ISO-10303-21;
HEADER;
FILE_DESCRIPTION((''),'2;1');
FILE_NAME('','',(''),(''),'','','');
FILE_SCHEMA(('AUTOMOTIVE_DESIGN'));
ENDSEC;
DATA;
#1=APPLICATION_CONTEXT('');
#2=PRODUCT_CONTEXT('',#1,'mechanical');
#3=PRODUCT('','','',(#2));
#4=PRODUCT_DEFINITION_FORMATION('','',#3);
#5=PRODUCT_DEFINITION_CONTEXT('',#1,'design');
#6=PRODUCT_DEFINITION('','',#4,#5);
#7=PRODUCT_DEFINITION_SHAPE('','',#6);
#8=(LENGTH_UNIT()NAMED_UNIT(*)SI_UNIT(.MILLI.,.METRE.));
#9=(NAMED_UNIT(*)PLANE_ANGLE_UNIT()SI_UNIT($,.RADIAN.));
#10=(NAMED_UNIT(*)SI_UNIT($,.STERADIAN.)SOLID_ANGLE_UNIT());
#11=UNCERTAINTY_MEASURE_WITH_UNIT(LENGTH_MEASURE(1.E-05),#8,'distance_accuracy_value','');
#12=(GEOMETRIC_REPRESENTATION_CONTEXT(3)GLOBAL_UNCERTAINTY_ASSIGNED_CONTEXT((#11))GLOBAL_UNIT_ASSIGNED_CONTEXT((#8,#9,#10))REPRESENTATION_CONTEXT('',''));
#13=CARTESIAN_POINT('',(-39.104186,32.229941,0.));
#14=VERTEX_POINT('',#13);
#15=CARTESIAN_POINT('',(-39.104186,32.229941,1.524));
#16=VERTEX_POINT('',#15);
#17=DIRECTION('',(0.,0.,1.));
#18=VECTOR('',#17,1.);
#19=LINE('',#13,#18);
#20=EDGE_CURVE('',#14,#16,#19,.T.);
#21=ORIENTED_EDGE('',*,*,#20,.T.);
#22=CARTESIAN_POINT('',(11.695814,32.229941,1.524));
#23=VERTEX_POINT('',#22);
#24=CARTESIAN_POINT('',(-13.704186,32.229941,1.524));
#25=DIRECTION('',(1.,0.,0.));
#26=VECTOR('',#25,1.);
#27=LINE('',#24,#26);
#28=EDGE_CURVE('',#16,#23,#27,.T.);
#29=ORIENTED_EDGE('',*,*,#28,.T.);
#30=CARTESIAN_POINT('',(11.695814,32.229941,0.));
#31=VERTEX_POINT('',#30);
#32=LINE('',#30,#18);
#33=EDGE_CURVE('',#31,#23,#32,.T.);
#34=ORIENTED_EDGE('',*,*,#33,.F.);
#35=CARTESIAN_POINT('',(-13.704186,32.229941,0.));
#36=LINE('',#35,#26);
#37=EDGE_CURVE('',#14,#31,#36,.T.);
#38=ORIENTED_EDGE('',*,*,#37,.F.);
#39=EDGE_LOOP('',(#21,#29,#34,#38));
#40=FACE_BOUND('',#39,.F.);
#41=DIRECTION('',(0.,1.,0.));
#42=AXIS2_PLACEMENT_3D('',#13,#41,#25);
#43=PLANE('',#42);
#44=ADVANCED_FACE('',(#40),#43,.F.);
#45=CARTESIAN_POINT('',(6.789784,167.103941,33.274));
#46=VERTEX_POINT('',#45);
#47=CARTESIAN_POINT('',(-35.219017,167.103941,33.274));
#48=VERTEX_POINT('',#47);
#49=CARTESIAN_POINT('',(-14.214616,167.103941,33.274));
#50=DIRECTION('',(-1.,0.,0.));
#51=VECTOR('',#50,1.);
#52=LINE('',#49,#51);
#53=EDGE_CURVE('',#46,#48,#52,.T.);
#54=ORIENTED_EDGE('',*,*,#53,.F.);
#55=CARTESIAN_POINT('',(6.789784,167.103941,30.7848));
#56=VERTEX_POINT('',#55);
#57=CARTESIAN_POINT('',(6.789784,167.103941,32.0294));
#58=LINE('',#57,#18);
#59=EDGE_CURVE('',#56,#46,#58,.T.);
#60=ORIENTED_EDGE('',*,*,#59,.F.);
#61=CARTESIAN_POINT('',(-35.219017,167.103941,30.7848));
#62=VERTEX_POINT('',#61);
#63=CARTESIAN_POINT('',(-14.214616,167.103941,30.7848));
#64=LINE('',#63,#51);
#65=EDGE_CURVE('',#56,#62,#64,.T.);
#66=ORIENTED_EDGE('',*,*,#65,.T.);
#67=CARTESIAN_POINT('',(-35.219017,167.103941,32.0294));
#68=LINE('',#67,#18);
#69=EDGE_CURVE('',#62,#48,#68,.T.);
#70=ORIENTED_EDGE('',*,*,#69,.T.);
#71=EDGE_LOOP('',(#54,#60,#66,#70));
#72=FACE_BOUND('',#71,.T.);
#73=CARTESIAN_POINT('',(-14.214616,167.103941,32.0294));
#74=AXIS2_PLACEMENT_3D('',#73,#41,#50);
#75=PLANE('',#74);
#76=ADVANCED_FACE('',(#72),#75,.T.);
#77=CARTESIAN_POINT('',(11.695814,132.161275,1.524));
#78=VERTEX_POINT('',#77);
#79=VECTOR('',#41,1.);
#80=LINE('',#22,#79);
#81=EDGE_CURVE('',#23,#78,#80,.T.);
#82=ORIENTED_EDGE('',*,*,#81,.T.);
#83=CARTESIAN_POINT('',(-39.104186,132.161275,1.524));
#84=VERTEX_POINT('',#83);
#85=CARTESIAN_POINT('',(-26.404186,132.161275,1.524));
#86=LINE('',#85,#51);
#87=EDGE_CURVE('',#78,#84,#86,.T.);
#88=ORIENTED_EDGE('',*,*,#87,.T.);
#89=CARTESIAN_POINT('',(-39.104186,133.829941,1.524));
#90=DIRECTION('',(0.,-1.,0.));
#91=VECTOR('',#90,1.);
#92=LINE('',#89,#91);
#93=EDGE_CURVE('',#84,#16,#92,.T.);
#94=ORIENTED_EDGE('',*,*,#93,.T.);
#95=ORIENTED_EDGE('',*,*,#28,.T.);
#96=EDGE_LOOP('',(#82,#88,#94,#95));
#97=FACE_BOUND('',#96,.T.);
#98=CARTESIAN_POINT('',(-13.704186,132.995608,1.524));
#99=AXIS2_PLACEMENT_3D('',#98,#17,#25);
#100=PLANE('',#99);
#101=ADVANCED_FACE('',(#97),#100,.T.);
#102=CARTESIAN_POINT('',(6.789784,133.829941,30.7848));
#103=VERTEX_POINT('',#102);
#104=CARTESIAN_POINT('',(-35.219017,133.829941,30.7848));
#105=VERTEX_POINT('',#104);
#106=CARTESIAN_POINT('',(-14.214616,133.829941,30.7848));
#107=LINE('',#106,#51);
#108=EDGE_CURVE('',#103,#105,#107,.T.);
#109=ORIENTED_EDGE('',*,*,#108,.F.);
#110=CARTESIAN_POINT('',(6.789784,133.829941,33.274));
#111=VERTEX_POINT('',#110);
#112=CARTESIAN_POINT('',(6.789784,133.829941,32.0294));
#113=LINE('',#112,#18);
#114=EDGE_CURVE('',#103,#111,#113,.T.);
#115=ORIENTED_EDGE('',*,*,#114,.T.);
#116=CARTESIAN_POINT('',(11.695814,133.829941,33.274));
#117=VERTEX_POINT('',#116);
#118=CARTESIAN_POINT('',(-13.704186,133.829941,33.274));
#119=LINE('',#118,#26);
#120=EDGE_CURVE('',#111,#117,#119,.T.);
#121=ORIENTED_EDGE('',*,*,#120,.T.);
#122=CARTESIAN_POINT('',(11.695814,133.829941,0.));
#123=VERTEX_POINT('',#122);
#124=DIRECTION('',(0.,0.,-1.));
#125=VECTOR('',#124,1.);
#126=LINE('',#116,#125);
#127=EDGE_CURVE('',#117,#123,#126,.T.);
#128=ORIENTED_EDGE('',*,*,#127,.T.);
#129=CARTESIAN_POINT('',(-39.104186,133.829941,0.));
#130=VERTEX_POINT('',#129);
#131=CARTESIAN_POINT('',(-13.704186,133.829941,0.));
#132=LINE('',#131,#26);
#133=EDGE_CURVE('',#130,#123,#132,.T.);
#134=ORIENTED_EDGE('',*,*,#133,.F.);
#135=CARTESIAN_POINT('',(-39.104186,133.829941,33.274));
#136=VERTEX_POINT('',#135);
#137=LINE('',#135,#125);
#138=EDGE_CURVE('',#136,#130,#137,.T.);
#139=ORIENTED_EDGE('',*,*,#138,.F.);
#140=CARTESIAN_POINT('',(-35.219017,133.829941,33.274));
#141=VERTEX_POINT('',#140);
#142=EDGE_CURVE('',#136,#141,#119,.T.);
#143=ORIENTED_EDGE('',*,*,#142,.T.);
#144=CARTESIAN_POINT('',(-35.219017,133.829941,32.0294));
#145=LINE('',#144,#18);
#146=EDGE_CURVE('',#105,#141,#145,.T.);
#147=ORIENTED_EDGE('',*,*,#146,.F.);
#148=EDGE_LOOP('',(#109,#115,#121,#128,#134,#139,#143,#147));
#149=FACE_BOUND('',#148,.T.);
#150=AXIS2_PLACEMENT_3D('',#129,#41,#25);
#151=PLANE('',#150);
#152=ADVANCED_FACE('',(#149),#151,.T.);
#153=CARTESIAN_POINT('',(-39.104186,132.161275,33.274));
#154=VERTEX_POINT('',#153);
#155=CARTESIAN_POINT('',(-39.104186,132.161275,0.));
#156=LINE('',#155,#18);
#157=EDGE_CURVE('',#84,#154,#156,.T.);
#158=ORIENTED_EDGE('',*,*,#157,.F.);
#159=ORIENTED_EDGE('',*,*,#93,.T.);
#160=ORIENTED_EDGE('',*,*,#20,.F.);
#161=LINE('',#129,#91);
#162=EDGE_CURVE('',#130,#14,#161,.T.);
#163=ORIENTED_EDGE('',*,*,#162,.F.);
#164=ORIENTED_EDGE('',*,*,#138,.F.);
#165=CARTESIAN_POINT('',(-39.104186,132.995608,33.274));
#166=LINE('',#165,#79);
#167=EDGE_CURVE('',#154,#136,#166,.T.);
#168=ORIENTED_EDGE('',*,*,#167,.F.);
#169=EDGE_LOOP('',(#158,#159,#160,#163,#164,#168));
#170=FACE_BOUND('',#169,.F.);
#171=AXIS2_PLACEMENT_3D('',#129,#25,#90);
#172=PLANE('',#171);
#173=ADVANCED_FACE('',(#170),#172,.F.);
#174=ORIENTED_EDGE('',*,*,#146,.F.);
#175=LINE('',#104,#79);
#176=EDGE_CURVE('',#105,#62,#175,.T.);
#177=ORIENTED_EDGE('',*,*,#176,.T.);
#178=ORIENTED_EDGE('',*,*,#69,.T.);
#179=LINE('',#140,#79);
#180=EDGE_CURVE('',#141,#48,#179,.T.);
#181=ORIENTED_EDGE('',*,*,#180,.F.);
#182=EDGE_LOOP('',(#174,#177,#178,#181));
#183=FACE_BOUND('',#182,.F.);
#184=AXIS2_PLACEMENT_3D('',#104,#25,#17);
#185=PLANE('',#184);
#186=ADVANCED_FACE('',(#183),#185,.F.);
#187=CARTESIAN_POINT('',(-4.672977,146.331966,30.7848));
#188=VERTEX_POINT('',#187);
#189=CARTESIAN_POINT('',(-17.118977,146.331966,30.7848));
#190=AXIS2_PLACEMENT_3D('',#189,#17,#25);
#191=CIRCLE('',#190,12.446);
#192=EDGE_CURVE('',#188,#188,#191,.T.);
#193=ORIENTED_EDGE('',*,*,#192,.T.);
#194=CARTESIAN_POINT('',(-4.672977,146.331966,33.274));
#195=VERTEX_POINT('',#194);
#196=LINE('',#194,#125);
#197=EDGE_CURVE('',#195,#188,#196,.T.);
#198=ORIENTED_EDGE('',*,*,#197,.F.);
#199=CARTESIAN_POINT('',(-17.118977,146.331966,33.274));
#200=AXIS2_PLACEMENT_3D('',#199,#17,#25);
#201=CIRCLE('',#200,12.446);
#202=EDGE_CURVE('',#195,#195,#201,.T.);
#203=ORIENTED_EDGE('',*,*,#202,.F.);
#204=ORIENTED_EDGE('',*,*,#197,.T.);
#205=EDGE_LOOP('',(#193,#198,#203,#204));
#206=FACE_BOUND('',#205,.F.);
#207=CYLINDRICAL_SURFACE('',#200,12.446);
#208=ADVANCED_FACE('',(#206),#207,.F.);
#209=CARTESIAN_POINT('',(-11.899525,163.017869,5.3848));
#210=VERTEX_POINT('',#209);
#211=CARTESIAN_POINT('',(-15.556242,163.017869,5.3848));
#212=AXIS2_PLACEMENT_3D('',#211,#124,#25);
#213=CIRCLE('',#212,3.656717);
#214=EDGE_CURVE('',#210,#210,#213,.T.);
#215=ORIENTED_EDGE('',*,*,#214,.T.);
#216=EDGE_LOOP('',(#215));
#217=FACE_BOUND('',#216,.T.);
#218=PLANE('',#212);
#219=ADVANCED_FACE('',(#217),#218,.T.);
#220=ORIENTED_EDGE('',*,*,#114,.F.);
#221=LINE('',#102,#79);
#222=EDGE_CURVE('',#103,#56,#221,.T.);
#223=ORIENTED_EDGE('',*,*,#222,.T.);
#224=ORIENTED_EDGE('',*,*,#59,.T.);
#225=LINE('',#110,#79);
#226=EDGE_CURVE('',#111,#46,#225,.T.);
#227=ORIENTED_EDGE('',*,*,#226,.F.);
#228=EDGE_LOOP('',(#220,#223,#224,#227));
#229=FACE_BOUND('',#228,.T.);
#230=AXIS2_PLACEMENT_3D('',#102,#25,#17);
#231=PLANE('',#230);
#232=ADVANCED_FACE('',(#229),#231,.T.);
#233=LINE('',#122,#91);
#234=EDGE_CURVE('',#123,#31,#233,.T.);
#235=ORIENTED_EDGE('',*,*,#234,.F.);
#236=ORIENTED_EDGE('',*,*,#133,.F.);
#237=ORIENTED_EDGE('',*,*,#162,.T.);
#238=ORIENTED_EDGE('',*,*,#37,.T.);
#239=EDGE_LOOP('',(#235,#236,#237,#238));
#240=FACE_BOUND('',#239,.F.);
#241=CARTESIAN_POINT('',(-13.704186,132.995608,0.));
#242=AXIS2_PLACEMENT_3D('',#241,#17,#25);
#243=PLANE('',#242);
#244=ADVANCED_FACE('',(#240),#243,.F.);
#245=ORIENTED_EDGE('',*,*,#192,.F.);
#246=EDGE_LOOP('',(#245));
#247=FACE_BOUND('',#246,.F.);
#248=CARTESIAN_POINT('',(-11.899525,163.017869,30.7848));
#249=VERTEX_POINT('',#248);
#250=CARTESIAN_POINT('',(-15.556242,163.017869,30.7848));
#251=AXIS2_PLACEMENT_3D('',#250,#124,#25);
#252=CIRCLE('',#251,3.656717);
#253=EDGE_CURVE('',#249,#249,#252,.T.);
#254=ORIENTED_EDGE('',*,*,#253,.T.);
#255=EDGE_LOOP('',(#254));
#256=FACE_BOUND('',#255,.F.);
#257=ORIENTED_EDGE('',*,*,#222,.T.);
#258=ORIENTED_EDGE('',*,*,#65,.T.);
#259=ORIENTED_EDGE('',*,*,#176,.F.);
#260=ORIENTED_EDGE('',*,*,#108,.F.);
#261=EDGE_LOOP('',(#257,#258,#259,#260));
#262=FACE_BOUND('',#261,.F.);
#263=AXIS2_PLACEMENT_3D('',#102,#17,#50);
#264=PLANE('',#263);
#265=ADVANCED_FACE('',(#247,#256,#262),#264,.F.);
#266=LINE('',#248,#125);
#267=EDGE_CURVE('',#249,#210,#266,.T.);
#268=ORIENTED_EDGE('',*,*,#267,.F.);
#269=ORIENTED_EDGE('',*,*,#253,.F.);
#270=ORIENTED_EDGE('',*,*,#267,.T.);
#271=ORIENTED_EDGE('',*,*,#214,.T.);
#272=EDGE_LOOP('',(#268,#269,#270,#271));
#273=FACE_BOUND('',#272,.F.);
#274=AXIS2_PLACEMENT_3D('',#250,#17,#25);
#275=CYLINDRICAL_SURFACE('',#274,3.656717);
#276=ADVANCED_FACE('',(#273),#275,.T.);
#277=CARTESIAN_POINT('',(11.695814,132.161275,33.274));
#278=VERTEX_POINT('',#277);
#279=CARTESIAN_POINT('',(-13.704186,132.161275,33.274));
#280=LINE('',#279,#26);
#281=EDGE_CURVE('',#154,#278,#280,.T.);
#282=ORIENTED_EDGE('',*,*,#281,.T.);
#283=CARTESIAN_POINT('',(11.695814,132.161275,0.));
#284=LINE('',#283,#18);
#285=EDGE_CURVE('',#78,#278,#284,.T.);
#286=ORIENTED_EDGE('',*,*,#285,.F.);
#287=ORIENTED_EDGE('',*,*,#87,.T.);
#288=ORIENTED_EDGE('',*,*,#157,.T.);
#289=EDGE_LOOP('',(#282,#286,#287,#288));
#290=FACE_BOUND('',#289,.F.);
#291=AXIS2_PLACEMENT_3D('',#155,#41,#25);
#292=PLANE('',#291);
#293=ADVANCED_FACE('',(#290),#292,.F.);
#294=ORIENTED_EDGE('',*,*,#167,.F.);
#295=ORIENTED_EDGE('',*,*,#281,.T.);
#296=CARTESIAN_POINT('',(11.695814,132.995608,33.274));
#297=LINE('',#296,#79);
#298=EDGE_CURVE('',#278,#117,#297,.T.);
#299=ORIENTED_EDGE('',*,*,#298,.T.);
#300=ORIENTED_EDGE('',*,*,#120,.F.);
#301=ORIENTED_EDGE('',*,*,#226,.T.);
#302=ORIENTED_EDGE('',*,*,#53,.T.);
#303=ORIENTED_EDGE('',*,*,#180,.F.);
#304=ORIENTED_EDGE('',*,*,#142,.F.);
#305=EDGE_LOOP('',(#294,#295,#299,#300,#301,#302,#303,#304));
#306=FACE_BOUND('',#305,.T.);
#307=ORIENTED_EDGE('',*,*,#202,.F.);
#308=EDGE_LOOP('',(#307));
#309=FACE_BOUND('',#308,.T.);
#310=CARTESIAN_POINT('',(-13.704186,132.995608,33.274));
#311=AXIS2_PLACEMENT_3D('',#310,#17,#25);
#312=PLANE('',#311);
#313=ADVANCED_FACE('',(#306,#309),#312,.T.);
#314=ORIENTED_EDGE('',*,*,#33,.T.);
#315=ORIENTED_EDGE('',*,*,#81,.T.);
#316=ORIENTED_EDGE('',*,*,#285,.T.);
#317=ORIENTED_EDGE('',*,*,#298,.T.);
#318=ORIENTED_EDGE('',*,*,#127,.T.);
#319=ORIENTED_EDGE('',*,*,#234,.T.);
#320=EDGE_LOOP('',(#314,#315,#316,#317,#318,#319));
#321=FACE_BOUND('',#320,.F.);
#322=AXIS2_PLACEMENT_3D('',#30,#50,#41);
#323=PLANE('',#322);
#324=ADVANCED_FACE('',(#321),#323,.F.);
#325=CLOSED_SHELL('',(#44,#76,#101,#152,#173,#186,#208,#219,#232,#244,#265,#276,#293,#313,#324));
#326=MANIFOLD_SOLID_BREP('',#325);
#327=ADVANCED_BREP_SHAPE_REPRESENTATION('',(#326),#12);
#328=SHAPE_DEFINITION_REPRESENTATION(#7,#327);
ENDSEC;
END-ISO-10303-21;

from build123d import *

# Parameters (mm, degrees)
F0_W     = 50.8
F0_H     = 1.668666
F0_H_2   = 99.931334
F1_DEPTH = 1.524
F2_DEPTH = 33.274
F3_W     = 42.008801
F3_H     = 2.4892
F4_DEPTH = 33.274
F5_R     = 12.446
F6_DEPTH = 25.4
F7_R     = 3.656717
F8_DEPTH = 25.4


with BuildPart() as f1:
    # F0 (on Top) → F1 (new body)
    with BuildSketch(Plane.XY):
        with Locations((-13.704186, 132.995608)):
            Rectangle(F0_W, F0_H)
        with Locations((-13.704186, 82.195608)):
            Rectangle(F0_W, F0_H_2)
    extrude(amount=F1_DEPTH)

    # F0 (on Top) → F2 (join)
    with BuildSketch(Plane.XY):
        with Locations((-13.704186, 132.995608)):
            Rectangle(F0_W, F0_H)
    extrude(amount=F2_DEPTH)

    # F3 (on face) → F4 (join)
    with BuildSketch(Plane(origin=(0, 133.829941, 0), x_dir=(-1, 0, 0), z_dir=(0, 1, 0))):
        with Locations((14.214616, 32.0294)):
            Rectangle(F3_W, F3_H)
    extrude(amount=F4_DEPTH)

    # F5 (on face) → F6 (cut)
    with BuildSketch(Plane.XY.offset(33.274)):
        with Locations((-17.118977, 146.331966)):
            Circle(F5_R)
    extrude(amount=-F6_DEPTH, mode=Mode.SUBTRACT)

    # F7 (on face) → F8 (join)
    with BuildSketch(Plane(origin=(0, 0, 30.7848), x_dir=(1, 0, 0), z_dir=(0, 0, -1))):
        with Locations((-15.556242, -163.017869)):
            Circle(F7_R)
    extrude(amount=F8_DEPTH)


solid = f1.part
